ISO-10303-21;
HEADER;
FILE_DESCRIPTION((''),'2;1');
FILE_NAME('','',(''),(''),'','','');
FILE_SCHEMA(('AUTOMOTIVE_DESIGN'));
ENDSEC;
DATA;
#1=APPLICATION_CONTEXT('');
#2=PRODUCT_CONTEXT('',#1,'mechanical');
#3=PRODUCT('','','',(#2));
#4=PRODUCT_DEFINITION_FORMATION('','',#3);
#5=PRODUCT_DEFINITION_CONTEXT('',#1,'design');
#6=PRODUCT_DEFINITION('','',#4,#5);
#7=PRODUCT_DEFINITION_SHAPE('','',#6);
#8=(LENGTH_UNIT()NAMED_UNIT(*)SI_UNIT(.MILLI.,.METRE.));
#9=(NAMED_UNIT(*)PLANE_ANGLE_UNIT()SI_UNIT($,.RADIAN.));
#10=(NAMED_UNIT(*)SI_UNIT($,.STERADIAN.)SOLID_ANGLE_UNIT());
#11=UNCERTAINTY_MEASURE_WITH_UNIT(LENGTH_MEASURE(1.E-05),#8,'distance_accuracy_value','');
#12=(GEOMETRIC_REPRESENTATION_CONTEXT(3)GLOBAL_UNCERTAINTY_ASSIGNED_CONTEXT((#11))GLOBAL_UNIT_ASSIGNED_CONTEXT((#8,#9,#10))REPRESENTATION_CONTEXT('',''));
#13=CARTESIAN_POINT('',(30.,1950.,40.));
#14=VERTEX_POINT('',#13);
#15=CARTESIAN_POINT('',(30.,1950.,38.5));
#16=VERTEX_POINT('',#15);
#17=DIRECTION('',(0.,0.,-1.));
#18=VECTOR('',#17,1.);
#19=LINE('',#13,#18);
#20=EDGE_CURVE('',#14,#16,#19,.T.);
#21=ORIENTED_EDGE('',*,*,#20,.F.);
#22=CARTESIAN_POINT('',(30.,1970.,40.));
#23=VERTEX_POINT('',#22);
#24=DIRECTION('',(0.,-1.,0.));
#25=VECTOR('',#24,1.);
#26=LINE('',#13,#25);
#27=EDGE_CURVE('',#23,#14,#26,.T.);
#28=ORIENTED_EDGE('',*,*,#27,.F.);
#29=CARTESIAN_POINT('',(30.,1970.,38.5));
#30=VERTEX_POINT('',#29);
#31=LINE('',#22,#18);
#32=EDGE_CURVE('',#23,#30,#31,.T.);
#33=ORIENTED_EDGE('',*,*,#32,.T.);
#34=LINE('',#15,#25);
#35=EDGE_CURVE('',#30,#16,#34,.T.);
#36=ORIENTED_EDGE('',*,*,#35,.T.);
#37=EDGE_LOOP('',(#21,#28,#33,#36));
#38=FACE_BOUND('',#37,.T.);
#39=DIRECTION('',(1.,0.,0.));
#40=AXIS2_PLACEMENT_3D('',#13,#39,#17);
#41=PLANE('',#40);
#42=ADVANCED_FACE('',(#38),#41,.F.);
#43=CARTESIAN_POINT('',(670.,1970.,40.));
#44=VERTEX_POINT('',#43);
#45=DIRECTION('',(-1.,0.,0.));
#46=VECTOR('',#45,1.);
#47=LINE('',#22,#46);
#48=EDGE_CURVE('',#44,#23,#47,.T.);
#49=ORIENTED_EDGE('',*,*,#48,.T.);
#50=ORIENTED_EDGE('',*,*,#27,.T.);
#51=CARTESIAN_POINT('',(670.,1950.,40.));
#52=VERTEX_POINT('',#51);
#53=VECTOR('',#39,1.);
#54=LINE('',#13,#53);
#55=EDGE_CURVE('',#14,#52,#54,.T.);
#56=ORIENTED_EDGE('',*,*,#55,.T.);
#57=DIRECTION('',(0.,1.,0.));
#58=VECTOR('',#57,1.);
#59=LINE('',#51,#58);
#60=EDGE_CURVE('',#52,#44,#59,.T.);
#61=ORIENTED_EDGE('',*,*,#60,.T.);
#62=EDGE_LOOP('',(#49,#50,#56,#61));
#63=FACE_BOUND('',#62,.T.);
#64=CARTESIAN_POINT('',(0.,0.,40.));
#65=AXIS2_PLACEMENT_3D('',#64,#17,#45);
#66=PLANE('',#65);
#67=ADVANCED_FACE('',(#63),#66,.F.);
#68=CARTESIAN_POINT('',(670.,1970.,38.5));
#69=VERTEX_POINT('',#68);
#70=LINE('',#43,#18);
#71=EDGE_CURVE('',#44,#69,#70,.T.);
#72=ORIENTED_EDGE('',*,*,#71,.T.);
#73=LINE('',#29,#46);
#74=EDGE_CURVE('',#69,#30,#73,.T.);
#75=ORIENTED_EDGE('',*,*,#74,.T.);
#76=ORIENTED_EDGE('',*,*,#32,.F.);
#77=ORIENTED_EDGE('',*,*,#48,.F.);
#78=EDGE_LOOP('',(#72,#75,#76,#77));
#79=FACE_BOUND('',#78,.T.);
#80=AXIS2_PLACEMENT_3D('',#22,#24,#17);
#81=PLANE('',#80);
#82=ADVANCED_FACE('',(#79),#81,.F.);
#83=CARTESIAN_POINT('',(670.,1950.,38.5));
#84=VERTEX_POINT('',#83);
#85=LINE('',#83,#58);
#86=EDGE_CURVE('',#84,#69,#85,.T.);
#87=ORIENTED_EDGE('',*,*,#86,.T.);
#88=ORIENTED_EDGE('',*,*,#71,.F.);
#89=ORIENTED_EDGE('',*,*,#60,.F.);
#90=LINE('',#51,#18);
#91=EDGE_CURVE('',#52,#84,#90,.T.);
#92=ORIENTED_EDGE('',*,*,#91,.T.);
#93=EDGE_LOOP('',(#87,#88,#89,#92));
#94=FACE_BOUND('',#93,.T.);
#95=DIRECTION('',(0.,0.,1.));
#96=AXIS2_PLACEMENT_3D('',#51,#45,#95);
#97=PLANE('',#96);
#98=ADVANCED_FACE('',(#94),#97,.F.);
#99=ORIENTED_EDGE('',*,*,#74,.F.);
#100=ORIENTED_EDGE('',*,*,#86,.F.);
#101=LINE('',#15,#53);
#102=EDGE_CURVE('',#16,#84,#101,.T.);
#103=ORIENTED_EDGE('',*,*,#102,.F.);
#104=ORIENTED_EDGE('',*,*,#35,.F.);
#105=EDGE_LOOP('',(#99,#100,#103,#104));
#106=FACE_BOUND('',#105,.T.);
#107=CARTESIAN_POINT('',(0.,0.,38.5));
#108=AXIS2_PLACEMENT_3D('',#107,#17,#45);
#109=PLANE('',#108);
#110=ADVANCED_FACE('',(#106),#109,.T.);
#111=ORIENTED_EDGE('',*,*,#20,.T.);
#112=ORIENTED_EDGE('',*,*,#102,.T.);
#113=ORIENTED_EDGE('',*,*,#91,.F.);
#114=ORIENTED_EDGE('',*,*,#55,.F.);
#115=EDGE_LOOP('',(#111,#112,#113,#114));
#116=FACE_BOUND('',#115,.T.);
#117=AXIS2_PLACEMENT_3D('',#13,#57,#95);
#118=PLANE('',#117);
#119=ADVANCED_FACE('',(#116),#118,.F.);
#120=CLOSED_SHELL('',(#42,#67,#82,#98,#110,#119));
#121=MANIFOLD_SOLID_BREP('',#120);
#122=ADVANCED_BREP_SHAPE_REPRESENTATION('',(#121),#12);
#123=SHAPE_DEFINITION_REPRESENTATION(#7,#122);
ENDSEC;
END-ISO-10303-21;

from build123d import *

# Parameters (mm, degrees)
OVEN_PANEL_UST_SERIT_1_START = 38.5
SKETCH1_W                    = 640
SKETCH1_H                    = 20
OVEN_PANEL_UST_SERIT_1_DEPTH = 1.5


with BuildPart() as part:
    # Sketch1 → OVEN_panel_ust_serit_1 (new body)
    with BuildSketch(Plane.XY.offset(OVEN_PANEL_UST_SERIT_1_START)):
        with Locations((350, 1960)):
            Rectangle(SKETCH1_W, SKETCH1_H)
    extrude(amount=OVEN_PANEL_UST_SERIT_1_DEPTH)


solid = part.part
